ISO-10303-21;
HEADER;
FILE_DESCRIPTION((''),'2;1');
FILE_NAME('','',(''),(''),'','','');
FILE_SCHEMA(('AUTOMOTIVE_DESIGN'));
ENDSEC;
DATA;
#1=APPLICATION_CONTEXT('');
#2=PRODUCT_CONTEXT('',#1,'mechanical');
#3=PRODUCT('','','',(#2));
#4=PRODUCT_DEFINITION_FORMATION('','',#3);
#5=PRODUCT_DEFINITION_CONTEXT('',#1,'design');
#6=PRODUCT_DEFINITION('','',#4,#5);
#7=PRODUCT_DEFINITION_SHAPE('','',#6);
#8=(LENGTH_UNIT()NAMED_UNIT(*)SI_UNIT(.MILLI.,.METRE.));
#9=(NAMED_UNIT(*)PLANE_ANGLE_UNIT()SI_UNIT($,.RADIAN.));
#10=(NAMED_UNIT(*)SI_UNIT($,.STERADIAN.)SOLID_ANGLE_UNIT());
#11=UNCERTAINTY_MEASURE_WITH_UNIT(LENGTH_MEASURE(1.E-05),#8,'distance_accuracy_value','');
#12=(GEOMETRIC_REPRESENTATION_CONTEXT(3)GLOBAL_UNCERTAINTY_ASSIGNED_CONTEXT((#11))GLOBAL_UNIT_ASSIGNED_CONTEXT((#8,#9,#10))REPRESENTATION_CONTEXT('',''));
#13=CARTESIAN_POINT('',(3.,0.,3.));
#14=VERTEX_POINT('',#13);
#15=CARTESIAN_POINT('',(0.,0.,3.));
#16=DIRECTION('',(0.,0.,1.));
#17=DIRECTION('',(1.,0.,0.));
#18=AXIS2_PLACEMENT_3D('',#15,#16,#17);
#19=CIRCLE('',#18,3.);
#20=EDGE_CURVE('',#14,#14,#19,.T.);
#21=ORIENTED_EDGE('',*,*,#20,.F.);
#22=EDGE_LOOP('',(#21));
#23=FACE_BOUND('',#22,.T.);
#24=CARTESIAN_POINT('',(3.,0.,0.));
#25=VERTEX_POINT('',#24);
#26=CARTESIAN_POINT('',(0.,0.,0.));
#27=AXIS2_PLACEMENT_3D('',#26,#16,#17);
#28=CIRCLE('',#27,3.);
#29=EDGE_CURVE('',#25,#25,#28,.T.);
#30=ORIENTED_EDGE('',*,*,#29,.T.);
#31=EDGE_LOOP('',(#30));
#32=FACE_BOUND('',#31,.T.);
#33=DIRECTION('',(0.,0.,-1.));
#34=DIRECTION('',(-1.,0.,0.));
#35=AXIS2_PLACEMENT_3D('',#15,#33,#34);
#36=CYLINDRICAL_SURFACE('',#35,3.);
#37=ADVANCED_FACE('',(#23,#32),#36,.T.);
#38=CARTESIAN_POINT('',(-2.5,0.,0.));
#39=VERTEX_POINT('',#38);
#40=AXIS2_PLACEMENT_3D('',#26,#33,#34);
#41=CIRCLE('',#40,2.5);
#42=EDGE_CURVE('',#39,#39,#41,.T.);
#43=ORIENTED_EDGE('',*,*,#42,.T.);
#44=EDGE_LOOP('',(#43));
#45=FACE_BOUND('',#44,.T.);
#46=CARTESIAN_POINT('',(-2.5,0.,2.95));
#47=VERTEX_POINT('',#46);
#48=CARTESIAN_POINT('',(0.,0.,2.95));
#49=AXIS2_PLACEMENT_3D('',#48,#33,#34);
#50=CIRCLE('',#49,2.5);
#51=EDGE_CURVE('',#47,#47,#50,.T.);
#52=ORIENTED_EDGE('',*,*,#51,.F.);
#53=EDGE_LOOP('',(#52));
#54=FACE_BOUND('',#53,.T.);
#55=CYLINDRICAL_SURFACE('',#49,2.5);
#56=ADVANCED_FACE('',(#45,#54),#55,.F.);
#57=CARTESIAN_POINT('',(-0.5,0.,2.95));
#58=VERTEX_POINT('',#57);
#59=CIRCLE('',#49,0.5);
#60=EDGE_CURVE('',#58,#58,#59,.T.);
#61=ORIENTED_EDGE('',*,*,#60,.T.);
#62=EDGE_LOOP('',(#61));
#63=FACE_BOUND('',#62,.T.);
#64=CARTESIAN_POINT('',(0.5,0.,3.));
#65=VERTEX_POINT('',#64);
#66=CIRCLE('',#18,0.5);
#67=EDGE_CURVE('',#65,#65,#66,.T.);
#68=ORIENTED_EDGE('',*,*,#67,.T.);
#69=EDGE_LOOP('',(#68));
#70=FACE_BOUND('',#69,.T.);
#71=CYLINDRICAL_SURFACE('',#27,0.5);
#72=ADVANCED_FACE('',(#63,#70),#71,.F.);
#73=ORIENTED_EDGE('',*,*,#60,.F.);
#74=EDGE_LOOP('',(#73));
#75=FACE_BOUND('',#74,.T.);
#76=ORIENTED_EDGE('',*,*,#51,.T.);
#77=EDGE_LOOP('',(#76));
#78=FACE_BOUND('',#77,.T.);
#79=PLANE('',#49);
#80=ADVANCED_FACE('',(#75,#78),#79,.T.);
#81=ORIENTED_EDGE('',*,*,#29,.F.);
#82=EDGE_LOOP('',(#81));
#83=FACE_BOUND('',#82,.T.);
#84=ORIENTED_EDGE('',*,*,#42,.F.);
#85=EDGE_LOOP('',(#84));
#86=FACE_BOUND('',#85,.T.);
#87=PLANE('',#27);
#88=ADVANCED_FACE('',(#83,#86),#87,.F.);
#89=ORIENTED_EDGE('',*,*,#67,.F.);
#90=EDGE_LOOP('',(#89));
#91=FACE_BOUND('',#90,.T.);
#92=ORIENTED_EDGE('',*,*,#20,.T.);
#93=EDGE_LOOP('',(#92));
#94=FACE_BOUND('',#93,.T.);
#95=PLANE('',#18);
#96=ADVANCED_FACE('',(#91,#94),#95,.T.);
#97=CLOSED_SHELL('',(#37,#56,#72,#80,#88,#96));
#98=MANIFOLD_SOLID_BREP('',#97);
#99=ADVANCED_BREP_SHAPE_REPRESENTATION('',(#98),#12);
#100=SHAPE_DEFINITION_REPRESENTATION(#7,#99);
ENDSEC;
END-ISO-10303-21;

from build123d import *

# Parameters (mm, degrees)
SKETCH1_R           = 3
BOSS_EXTRUDE2_DEPTH = 3
SKETCH2_R           = 2.5
CUT_EXTRUDE2_DEPTH  = 2.95
SKETCH3_R           = 0.5
CUT_EXTRUDE3_DEPTH  = 3


with BuildPart() as part:
    # Sketch1 → Boss-Extrude2 (new body)
    with BuildSketch(Plane.XY):
        Circle(SKETCH1_R)
    extrude(amount=BOSS_EXTRUDE2_DEPTH)

    # Sketch2 → Cut-Extrude2 (cut)
    with BuildSketch(Plane(origin=(0, 0, 0), x_dir=(-1, 0, 0), z_dir=(0, 0, -1))):
        Circle(SKETCH2_R)
    extrude(amount=-CUT_EXTRUDE2_DEPTH, mode=Mode.SUBTRACT)

    # Sketch3 → Cut-Extrude3 (cut)
    with BuildSketch(Plane.XY.offset(3)):
        Circle(SKETCH3_R)
    extrude(amount=-CUT_EXTRUDE3_DEPTH, mode=Mode.SUBTRACT)


solid = part.part
